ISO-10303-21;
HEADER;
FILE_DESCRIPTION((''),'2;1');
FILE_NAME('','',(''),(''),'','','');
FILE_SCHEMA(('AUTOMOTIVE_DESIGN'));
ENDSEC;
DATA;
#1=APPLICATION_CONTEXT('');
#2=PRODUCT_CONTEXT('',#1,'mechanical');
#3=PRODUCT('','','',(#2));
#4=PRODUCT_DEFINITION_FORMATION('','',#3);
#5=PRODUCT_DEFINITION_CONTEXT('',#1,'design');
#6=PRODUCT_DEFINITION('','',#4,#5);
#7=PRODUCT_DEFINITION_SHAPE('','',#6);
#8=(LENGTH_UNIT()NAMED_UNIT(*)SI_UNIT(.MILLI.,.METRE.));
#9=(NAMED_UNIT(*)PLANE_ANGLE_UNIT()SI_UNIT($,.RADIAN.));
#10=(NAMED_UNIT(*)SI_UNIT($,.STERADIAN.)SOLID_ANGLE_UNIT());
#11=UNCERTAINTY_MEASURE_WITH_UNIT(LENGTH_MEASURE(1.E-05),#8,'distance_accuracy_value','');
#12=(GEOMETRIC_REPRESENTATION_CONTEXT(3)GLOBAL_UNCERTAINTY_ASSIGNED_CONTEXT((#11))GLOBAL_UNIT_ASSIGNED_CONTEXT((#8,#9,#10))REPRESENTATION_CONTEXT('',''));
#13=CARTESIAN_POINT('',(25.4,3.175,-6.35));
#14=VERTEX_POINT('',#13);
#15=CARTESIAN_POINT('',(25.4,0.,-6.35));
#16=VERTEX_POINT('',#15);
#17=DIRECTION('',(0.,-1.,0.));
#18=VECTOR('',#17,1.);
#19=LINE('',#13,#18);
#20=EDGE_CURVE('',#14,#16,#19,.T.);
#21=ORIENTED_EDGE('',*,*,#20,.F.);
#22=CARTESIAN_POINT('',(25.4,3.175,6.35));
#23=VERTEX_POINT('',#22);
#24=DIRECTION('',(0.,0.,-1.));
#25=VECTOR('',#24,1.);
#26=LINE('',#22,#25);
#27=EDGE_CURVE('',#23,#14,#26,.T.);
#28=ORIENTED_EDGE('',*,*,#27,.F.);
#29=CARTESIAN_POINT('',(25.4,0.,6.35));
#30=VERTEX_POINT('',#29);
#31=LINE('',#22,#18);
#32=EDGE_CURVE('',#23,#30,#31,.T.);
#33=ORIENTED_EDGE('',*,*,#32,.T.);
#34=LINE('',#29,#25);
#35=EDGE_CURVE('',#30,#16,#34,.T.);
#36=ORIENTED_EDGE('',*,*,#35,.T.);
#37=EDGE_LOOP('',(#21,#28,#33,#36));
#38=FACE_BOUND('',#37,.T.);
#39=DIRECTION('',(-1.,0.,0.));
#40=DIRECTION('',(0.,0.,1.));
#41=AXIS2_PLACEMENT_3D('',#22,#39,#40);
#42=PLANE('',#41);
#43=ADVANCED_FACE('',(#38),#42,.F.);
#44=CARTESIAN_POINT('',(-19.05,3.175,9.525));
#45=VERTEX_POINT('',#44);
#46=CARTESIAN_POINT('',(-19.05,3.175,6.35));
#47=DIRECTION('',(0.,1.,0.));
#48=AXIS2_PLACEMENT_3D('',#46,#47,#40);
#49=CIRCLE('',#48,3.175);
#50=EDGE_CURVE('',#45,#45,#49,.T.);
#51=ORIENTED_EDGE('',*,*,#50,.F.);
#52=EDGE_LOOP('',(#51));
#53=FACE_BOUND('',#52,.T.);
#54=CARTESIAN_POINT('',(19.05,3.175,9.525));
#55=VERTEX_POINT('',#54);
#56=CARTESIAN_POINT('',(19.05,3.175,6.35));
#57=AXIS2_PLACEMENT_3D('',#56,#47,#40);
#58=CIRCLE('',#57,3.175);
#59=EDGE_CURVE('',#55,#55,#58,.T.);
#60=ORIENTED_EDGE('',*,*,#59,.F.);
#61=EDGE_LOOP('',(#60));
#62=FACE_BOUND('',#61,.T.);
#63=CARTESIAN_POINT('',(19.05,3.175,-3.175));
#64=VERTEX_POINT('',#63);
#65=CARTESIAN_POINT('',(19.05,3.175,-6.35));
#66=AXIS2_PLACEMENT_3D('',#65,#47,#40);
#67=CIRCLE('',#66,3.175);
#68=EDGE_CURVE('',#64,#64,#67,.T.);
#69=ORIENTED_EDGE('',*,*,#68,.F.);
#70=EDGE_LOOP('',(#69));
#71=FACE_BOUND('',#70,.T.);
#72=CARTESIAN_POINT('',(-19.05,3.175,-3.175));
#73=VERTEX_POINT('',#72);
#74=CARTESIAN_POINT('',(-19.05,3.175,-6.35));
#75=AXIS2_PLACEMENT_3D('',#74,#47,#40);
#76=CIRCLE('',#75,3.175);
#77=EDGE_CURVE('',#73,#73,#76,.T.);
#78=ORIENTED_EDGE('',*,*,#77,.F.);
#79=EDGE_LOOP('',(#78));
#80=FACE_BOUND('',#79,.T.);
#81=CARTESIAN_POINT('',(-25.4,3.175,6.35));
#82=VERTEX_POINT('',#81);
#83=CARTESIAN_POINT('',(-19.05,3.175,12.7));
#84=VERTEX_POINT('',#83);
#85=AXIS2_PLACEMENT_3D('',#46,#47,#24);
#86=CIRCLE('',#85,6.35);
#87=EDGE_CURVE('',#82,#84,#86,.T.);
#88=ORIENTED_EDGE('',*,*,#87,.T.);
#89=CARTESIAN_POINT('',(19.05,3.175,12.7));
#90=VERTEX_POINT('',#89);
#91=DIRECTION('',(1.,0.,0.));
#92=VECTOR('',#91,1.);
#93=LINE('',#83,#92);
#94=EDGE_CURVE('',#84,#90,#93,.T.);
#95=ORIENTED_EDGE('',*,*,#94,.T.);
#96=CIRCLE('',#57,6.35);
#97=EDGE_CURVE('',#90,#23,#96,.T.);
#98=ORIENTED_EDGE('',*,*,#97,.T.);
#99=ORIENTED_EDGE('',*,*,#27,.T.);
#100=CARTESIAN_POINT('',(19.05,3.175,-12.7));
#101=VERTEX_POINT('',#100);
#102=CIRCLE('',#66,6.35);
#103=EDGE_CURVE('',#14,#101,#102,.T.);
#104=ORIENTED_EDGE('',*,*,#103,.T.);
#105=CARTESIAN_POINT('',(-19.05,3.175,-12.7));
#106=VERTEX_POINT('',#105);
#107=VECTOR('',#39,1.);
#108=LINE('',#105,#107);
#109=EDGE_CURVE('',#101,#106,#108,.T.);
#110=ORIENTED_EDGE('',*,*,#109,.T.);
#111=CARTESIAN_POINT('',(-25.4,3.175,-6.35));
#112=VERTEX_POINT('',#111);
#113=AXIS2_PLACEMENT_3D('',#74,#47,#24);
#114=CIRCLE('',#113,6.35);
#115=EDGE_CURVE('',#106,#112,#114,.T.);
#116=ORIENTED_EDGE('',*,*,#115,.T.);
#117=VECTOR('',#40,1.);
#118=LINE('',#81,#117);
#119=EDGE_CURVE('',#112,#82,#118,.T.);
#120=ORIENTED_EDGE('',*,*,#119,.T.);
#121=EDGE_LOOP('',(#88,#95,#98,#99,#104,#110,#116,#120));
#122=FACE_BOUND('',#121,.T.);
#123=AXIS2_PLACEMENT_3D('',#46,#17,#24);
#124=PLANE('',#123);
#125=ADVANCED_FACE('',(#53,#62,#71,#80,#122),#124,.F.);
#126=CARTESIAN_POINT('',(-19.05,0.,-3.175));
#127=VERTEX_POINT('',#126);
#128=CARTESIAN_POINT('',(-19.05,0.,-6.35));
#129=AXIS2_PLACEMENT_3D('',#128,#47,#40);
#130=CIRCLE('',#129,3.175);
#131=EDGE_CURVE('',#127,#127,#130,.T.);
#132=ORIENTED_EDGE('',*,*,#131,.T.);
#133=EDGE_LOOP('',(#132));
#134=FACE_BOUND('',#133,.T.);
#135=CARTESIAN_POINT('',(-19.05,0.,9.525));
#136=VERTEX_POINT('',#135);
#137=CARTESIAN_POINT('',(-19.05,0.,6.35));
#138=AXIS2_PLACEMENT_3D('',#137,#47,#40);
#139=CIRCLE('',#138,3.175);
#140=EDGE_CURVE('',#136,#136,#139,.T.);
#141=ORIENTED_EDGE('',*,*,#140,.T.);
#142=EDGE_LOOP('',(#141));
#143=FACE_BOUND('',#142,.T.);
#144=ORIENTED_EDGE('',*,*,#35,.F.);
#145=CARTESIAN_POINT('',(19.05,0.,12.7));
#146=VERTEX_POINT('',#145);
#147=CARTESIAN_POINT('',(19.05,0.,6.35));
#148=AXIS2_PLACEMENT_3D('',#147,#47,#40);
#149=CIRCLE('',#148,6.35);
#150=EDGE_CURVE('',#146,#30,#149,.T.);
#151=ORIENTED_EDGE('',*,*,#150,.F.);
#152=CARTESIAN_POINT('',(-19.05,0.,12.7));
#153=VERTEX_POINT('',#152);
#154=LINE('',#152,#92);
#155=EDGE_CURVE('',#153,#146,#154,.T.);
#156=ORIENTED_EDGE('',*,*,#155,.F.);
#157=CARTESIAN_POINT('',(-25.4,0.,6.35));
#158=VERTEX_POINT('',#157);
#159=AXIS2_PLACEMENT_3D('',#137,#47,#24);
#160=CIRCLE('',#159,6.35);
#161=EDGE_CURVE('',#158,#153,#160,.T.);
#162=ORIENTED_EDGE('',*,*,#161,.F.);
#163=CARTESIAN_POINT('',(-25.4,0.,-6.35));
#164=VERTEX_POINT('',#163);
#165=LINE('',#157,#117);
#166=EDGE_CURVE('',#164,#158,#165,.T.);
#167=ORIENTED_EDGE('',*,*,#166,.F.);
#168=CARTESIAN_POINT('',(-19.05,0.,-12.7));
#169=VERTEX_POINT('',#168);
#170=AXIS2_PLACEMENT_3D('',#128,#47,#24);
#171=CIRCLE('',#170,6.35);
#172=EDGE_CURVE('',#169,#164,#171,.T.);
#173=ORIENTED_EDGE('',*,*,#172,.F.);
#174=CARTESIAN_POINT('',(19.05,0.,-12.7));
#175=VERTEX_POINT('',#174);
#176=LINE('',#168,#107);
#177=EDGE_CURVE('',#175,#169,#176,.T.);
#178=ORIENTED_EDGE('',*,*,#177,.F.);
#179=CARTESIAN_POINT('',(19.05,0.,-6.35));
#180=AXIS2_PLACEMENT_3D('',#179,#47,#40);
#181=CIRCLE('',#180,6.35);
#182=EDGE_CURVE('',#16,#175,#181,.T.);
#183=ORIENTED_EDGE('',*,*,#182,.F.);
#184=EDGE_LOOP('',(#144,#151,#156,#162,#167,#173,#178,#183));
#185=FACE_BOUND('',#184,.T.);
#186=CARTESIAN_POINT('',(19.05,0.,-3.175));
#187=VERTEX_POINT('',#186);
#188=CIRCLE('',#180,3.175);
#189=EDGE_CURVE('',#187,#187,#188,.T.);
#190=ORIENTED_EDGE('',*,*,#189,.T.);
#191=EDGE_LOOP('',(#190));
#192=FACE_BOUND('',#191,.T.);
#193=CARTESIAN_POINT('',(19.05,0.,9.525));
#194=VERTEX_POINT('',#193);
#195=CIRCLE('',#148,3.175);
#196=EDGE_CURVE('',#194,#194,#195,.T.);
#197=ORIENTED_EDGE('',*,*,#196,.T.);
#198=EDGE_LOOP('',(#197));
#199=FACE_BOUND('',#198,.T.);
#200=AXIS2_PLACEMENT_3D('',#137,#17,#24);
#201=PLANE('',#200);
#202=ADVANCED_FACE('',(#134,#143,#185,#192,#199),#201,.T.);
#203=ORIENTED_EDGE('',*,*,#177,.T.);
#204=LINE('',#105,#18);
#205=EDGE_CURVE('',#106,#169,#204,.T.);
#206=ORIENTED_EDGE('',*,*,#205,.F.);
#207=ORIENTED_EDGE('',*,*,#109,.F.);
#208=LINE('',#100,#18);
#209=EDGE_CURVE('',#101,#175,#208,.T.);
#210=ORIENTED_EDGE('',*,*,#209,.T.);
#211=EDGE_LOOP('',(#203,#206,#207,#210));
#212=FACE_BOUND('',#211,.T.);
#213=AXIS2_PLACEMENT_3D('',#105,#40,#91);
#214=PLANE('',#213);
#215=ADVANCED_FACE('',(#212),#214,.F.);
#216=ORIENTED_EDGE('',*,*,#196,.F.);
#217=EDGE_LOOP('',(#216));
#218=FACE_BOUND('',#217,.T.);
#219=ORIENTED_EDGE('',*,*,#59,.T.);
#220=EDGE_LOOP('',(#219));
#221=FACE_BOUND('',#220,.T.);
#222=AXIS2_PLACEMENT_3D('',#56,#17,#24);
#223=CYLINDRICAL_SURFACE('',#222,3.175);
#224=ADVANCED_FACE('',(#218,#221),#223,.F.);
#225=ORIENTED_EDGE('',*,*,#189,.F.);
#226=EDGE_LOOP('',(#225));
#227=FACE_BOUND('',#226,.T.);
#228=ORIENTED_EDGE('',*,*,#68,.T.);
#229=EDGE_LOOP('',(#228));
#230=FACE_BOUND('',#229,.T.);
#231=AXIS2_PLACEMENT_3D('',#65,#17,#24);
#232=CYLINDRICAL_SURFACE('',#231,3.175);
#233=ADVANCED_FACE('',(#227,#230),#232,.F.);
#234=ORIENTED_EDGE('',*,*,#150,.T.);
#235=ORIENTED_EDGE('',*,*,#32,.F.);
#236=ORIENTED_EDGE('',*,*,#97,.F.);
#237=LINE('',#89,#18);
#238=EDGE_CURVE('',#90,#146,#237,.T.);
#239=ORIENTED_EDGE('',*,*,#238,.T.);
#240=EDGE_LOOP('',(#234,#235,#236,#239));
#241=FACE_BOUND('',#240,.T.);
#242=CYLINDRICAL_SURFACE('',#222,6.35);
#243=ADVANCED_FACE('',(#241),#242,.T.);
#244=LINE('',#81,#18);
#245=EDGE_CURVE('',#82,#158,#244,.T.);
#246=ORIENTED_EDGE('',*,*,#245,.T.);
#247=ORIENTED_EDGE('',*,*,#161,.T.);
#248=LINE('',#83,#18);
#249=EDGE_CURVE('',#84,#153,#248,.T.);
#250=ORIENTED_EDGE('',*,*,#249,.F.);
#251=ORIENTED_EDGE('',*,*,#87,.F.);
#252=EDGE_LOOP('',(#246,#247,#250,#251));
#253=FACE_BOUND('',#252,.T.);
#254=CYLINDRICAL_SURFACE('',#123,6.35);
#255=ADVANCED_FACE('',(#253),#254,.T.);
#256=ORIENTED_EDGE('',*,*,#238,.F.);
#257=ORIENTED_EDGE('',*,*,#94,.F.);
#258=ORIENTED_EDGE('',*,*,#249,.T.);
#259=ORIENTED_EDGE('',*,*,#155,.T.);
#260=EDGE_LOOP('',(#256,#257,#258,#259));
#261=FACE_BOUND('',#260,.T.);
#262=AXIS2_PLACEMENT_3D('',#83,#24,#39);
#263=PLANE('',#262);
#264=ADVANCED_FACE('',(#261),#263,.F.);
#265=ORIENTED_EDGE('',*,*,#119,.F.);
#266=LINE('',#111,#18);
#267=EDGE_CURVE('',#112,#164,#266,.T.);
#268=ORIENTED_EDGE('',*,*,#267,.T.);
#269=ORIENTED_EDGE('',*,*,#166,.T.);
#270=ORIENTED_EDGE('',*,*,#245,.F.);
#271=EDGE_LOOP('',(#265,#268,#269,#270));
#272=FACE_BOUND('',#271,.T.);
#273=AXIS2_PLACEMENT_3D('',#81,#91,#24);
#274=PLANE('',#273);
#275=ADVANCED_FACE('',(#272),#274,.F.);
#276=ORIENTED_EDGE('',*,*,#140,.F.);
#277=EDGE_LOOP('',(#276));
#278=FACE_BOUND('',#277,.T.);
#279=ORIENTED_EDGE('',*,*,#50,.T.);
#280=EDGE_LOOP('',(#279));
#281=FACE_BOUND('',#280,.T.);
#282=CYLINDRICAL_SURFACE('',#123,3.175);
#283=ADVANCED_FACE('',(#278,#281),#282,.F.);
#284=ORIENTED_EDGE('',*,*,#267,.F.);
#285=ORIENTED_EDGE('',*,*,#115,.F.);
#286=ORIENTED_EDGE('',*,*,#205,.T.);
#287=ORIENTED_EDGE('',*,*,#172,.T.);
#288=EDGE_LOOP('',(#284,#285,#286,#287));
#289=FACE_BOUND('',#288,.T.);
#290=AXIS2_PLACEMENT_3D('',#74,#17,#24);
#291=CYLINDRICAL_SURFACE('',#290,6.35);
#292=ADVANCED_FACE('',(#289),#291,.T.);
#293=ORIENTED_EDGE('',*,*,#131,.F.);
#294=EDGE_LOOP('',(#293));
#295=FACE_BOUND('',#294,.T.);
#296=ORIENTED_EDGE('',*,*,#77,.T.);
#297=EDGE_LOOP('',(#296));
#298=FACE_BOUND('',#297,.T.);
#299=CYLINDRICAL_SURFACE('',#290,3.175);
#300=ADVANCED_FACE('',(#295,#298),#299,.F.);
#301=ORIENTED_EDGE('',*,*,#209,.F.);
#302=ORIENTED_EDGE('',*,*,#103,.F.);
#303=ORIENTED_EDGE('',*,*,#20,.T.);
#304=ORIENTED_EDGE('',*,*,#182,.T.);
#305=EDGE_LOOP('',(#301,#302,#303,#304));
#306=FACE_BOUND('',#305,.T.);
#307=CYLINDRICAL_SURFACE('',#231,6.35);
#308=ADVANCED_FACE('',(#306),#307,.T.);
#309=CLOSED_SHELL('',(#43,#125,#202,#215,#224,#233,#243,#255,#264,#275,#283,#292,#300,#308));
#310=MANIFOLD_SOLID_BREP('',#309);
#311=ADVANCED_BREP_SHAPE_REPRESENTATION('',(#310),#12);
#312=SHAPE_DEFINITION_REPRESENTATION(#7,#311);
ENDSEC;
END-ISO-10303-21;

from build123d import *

# Parameters (mm, degrees)
SKETCH2_R           = 3.175
BOSS_EXTRUDE1_DEPTH = 3.175


with BuildPart() as part:
    # Sketch2 → Boss-Extrude1 (new body)
    with BuildSketch(Plane(origin=(0, 0, 0), x_dir=(1, 0, 0), z_dir=(0, 1, 0))):
        with BuildLine():
            Line((-19.05, -12.7), (19.05, -12.7))
            ThreePointArc((19.05, -12.7), (23.540128061, -10.840128061), (25.4, -6.35))
            Line((25.4, -6.35), (25.4, 6.35))
            ThreePointArc((25.4, 6.35), (23.540128061, 10.840128061), (19.05, 12.7))
            Line((19.05, 12.7), (-19.05, 12.7))
            ThreePointArc((-19.05, 12.7), (-23.540128061, 10.840128061), (-25.4, 6.35))
            Line((-25.4, 6.35), (-25.4, -6.35))
            ThreePointArc((-25.4, -6.35), (-23.540128061, -10.840128061), (-19.05, -12.7))
        make_face()
        with Locations((-19.05, 6.35)):
            Circle(SKETCH2_R, mode=Mode.SUBTRACT)
        with Locations((-19.05, -6.35)):
            Circle(SKETCH2_R, mode=Mode.SUBTRACT)
        with Locations((19.05, 6.35)):
            Circle(SKETCH2_R, mode=Mode.SUBTRACT)
        with Locations((19.05, -6.35)):
            Circle(SKETCH2_R, mode=Mode.SUBTRACT)
    extrude(amount=BOSS_EXTRUDE1_DEPTH)


solid = part.part
